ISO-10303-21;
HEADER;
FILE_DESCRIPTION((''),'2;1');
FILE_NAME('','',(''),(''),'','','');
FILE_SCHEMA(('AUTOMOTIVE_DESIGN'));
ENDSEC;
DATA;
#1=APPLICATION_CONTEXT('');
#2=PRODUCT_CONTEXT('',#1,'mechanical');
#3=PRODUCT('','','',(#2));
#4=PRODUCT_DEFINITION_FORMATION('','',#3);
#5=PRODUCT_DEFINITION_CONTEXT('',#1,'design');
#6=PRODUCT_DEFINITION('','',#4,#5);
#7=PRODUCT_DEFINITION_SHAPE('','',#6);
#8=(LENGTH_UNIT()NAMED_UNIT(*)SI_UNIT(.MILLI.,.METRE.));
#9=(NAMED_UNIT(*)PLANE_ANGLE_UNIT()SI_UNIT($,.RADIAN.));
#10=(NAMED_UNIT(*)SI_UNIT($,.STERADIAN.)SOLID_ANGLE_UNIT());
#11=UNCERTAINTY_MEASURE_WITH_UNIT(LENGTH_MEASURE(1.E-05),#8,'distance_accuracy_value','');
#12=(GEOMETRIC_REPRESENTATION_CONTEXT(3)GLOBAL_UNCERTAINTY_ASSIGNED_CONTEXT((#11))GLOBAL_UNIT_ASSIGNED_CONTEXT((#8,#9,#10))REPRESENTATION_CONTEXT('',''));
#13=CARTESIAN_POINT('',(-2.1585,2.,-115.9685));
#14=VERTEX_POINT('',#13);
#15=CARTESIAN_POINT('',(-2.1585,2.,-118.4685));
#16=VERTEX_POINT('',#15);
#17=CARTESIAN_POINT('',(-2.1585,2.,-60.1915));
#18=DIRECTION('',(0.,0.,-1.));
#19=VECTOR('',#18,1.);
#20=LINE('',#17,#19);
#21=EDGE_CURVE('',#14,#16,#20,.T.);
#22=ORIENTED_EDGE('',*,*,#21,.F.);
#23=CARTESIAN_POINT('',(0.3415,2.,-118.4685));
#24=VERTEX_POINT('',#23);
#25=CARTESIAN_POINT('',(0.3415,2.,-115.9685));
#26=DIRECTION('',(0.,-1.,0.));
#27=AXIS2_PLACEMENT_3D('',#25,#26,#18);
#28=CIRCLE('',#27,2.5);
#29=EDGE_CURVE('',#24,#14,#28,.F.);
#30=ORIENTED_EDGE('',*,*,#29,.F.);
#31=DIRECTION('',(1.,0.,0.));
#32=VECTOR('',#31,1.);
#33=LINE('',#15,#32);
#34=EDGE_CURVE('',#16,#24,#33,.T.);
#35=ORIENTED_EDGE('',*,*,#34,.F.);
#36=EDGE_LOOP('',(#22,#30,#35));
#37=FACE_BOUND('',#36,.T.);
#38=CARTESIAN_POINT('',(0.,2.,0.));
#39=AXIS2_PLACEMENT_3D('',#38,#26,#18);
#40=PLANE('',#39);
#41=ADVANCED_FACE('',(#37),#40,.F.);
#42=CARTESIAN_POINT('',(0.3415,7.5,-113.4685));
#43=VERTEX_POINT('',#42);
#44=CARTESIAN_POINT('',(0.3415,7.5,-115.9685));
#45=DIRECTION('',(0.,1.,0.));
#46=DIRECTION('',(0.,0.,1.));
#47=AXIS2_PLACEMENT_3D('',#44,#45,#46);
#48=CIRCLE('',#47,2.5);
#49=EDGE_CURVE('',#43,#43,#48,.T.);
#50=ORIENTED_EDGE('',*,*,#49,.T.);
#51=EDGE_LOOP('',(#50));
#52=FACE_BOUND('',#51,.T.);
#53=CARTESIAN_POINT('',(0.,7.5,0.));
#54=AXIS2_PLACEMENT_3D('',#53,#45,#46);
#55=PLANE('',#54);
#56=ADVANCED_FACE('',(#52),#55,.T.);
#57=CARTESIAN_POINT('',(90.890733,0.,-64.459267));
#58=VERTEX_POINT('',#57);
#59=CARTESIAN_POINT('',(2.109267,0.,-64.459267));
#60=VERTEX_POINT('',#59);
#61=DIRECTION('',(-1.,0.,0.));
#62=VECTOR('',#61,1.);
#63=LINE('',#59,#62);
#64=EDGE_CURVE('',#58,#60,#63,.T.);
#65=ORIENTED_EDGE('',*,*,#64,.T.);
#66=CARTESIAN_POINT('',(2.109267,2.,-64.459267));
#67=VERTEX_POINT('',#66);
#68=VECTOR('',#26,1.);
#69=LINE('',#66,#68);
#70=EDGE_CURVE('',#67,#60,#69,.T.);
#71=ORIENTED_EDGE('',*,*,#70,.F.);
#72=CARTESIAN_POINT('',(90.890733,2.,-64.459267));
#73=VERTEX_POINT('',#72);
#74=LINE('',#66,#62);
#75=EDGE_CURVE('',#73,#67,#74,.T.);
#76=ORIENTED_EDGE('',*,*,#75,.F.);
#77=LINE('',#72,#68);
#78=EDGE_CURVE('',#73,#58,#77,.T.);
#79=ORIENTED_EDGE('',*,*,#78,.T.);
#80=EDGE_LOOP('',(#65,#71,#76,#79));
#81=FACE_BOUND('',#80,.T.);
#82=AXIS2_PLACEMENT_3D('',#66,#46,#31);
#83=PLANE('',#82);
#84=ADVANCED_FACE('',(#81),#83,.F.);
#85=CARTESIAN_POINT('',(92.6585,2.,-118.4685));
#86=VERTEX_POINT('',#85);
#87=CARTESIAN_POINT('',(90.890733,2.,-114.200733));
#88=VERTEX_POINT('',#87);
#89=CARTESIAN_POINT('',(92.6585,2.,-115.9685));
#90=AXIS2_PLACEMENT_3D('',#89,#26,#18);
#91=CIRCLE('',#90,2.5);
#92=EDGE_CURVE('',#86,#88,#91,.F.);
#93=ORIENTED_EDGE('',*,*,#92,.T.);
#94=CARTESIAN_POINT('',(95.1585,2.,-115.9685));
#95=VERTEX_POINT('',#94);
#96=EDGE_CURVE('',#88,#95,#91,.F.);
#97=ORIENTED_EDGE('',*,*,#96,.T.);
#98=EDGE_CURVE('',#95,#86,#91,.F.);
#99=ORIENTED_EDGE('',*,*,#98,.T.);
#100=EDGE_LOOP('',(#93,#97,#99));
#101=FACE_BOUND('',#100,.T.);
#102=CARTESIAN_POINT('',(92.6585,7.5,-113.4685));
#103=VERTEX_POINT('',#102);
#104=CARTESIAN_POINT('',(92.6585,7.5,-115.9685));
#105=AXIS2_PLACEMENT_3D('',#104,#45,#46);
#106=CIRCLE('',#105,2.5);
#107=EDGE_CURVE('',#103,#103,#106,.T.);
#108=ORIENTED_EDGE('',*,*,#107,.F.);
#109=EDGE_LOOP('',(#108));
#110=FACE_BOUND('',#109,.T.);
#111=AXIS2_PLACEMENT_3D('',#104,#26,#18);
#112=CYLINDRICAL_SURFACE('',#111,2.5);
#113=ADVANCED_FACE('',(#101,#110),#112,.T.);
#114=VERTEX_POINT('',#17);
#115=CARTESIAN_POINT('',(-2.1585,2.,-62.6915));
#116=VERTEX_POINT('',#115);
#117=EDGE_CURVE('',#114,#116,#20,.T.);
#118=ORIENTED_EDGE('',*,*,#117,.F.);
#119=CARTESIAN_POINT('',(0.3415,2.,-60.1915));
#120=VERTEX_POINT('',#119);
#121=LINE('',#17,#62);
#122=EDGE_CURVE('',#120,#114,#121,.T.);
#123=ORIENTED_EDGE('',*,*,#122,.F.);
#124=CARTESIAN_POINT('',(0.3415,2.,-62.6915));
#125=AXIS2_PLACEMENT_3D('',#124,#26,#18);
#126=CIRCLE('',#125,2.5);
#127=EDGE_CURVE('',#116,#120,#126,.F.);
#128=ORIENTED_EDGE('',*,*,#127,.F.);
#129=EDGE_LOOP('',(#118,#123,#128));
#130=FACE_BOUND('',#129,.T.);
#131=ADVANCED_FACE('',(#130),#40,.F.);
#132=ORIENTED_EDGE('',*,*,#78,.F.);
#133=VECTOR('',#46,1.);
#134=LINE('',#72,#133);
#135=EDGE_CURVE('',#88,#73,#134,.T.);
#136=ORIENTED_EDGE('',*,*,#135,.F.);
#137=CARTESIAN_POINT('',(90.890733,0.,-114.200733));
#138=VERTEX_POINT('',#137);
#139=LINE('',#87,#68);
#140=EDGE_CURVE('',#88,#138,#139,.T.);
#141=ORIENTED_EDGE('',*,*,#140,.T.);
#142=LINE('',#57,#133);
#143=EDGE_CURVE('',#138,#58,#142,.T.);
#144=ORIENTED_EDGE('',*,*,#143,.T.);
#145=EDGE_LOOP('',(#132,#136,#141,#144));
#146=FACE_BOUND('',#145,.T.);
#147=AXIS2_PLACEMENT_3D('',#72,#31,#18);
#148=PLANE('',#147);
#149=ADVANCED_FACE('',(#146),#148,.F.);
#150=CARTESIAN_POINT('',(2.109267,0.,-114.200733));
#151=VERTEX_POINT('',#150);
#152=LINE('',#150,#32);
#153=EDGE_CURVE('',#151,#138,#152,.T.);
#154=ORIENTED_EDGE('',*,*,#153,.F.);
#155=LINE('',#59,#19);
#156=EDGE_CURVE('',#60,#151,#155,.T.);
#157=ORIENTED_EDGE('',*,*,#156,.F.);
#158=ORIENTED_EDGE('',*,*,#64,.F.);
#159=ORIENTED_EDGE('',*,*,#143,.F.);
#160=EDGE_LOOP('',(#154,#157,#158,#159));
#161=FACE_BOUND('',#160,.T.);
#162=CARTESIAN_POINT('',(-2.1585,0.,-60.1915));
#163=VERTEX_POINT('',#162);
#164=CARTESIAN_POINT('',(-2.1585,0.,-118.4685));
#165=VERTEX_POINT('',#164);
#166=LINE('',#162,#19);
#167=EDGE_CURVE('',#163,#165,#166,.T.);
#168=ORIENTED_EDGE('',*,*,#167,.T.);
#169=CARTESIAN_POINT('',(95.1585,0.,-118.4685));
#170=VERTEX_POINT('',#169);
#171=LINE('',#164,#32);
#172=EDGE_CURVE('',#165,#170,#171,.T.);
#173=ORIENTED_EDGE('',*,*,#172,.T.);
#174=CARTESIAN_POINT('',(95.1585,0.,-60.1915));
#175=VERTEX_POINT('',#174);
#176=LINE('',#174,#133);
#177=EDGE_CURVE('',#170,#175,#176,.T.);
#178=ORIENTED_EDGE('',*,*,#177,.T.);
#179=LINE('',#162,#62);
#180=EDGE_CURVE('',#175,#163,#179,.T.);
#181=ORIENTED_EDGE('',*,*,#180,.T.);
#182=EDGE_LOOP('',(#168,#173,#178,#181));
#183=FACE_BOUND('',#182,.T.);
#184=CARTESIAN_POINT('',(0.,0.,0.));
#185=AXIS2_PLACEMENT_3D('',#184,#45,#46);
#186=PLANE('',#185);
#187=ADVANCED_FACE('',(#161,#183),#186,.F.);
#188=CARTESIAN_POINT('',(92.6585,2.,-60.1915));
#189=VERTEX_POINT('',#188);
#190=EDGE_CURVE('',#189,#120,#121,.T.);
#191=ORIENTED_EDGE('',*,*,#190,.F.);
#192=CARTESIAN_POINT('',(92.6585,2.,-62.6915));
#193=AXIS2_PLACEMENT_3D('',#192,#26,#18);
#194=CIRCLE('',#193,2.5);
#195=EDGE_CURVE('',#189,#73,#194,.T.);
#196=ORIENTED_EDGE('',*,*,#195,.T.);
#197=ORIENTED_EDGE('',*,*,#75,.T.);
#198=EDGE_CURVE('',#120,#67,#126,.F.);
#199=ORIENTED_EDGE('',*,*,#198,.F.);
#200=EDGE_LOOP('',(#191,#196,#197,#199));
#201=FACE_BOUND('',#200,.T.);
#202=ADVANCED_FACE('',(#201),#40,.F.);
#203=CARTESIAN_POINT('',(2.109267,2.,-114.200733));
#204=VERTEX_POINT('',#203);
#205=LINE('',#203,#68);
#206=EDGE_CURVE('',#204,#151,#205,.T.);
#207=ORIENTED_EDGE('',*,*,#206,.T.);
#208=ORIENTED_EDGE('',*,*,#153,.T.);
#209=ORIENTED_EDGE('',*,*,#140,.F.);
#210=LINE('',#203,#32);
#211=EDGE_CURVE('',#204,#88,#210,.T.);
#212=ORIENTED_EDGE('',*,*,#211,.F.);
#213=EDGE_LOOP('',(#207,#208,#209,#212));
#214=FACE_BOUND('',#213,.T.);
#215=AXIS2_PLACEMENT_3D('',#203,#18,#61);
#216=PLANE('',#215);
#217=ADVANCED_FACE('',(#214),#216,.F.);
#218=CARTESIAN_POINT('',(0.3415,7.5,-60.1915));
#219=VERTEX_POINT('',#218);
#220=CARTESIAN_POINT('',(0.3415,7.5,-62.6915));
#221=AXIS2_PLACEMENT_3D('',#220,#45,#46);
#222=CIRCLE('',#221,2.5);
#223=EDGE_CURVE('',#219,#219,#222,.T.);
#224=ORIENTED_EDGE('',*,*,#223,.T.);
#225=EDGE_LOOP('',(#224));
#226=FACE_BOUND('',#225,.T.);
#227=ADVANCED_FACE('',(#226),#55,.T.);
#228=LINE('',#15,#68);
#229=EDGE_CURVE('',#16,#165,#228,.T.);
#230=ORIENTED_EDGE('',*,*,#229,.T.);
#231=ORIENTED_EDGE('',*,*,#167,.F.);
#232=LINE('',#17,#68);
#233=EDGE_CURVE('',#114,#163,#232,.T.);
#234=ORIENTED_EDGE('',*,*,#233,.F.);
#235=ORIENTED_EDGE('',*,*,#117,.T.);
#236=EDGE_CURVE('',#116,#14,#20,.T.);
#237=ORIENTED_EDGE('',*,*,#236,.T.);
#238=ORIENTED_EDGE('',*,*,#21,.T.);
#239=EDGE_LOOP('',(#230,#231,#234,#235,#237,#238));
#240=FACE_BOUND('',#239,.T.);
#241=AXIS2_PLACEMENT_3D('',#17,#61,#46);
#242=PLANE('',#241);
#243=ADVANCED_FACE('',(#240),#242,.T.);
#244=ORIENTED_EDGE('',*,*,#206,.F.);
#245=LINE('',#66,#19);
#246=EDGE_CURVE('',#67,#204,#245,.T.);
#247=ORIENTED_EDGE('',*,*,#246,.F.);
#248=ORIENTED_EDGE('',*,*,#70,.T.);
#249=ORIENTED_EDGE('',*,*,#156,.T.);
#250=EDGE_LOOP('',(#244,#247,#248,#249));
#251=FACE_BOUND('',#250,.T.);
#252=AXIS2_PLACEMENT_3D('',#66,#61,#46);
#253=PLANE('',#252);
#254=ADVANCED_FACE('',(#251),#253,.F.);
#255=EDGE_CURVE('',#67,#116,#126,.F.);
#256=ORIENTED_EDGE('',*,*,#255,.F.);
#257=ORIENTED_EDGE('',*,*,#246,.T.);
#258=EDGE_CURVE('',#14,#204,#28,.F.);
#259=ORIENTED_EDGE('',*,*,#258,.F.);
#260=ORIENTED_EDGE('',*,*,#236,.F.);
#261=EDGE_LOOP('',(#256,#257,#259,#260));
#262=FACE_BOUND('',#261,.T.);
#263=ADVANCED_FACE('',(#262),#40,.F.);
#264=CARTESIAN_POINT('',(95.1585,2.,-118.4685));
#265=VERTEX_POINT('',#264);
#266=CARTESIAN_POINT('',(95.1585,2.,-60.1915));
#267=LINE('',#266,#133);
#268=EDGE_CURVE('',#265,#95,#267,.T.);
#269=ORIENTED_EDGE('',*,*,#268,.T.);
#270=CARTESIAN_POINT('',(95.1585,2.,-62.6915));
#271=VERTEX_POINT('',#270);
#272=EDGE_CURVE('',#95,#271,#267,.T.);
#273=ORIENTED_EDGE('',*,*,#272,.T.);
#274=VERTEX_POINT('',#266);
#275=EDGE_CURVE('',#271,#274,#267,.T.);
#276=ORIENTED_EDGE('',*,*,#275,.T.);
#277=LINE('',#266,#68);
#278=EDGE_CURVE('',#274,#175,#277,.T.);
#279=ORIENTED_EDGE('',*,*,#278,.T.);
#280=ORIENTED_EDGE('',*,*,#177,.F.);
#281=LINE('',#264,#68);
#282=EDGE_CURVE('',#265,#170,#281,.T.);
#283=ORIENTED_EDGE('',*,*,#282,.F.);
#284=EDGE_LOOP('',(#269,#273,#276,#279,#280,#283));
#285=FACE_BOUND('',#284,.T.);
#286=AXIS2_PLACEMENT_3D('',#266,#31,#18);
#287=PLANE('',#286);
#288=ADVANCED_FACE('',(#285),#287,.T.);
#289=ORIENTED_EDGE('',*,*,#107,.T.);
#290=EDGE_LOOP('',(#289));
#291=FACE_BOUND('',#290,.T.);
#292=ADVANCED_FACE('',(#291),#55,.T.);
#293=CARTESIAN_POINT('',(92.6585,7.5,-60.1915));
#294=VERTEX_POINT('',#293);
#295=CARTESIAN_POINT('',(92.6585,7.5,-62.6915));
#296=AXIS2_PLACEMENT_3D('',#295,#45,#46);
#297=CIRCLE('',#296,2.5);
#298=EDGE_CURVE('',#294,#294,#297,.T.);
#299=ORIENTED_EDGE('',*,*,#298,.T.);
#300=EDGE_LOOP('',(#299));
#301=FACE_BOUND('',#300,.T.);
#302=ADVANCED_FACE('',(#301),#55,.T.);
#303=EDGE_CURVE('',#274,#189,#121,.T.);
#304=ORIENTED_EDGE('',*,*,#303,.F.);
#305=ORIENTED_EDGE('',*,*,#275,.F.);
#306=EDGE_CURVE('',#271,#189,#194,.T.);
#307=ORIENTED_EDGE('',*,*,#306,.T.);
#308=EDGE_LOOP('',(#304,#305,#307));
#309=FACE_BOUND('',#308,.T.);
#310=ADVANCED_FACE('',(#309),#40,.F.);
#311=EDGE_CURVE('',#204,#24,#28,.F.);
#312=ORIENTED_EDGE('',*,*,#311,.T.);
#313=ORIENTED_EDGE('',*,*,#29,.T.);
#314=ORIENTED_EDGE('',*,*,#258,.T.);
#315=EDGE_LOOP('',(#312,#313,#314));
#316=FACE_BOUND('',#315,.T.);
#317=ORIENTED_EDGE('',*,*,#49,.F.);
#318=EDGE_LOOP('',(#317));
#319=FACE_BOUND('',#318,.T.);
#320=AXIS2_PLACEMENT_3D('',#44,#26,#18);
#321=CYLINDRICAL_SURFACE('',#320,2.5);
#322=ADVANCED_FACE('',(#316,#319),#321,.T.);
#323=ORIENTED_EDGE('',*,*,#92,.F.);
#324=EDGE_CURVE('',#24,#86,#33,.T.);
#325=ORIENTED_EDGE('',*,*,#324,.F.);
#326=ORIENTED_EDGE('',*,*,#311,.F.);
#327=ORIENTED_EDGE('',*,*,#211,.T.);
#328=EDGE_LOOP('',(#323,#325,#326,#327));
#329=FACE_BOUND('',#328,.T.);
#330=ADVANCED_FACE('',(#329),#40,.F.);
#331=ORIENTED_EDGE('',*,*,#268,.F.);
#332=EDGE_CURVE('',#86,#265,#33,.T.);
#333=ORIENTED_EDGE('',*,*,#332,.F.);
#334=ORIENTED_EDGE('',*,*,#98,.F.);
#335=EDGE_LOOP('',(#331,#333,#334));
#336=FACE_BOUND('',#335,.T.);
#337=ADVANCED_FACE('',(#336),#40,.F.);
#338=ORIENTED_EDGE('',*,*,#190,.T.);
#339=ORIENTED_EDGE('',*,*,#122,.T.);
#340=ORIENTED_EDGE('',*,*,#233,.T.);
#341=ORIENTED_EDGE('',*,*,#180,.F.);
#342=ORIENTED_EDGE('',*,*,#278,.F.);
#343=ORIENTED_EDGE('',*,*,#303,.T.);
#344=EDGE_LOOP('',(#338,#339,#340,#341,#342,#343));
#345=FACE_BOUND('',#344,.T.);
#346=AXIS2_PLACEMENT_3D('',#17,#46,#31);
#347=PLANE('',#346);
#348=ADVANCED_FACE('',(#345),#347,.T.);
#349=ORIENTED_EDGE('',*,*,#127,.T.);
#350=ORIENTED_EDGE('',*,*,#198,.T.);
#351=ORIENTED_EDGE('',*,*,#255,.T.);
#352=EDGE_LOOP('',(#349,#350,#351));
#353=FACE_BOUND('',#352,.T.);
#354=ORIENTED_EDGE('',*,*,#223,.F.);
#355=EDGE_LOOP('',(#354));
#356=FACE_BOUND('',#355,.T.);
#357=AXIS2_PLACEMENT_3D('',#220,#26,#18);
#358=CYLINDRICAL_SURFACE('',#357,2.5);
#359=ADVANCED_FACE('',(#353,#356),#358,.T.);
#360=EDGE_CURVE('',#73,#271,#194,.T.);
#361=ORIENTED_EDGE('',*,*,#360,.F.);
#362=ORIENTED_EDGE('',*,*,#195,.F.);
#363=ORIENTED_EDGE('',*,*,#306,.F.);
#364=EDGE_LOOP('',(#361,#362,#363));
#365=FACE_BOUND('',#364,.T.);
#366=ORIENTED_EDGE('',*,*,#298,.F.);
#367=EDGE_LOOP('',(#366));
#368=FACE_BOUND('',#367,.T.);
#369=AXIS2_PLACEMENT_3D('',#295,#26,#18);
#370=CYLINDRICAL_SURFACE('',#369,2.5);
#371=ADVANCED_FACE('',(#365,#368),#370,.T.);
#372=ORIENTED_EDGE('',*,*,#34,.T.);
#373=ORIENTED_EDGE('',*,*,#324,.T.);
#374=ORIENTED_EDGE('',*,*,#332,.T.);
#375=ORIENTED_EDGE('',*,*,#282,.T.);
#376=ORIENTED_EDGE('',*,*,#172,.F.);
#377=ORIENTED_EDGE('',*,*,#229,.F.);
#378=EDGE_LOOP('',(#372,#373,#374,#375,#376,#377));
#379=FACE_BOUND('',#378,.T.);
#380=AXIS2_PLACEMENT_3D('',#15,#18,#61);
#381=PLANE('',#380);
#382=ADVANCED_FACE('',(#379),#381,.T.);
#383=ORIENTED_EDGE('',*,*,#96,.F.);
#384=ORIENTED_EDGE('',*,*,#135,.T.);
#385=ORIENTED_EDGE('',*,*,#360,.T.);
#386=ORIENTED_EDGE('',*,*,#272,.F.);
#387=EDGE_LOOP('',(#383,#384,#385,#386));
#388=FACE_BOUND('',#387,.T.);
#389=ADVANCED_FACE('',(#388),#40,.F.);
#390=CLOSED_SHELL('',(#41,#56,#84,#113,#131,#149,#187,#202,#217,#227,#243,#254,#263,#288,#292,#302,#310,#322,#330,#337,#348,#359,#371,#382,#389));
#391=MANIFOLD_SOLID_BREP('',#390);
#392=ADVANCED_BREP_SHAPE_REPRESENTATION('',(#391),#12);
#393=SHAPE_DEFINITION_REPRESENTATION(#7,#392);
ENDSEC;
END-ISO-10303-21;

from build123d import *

# Parameters (mm, degrees)
SKETCH4_R           = 2.5
SKETCH4_R_2         = 1.8415
BOSS_EXTRUDE4_DEPTH = 7.5
SKETCH5_W           = 97.316999936
SKETCH5_H           = 58.277
SKETCH5_W_2         = 88.78146603
SKETCH5_H_2         = 49.741466094
BOSS_EXTRUDE5_DEPTH = 2


with BuildPart() as part:
    # Sketch4 → Boss-Extrude4 (new body)
    with BuildSketch(Plane(origin=(0, 0, 0), x_dir=(1, 0, 0), z_dir=(0, 1, 0))):
        with Locations(Location((92.6585, 62.6915, 0), (0, 0, 270))):
            Circle(SKETCH4_R)
        with Locations((92.6585, 62.6915)):
            Circle(SKETCH4_R_2, mode=Mode.SUBTRACT)
        with Locations((92.6585, 62.6915)):
            Circle(SKETCH4_R_2)
        with Locations(Location((0.341500064, 62.6915, 0), (0, 0, 270))):
            Circle(SKETCH4_R)
        with Locations((0.341500064, 62.6915)):
            Circle(SKETCH4_R_2, mode=Mode.SUBTRACT)
        with Locations((0.341500064, 62.6915)):
            Circle(SKETCH4_R_2)
        with Locations(Location((0.341500064, 115.9685, 0), (0, 0, 270))):
            Circle(SKETCH4_R)
        with Locations((0.341500064, 115.9685)):
            Circle(SKETCH4_R_2, mode=Mode.SUBTRACT)
        with Locations((0.341500064, 115.9685)):
            Circle(SKETCH4_R_2)
        with Locations(Location((92.6585, 115.9685, 0), (0, 0, 270))):
            Circle(SKETCH4_R)
        with Locations((92.6585, 115.9685)):
            Circle(SKETCH4_R_2, mode=Mode.SUBTRACT)
        with Locations((92.6585, 115.9685)):
            Circle(SKETCH4_R_2)
    extrude(amount=BOSS_EXTRUDE4_DEPTH)

    # Sketch5 → Boss-Extrude5 (add)
    with BuildSketch(Plane.XZ):
        with Locations((46.500000032, -89.33)):
            Rectangle(SKETCH5_W, SKETCH5_H)
        with Locations((46.500000032, -89.33)):
            Rectangle(SKETCH5_W_2, SKETCH5_H_2, mode=Mode.SUBTRACT)
    extrude(amount=-BOSS_EXTRUDE5_DEPTH)


solid = part.part
